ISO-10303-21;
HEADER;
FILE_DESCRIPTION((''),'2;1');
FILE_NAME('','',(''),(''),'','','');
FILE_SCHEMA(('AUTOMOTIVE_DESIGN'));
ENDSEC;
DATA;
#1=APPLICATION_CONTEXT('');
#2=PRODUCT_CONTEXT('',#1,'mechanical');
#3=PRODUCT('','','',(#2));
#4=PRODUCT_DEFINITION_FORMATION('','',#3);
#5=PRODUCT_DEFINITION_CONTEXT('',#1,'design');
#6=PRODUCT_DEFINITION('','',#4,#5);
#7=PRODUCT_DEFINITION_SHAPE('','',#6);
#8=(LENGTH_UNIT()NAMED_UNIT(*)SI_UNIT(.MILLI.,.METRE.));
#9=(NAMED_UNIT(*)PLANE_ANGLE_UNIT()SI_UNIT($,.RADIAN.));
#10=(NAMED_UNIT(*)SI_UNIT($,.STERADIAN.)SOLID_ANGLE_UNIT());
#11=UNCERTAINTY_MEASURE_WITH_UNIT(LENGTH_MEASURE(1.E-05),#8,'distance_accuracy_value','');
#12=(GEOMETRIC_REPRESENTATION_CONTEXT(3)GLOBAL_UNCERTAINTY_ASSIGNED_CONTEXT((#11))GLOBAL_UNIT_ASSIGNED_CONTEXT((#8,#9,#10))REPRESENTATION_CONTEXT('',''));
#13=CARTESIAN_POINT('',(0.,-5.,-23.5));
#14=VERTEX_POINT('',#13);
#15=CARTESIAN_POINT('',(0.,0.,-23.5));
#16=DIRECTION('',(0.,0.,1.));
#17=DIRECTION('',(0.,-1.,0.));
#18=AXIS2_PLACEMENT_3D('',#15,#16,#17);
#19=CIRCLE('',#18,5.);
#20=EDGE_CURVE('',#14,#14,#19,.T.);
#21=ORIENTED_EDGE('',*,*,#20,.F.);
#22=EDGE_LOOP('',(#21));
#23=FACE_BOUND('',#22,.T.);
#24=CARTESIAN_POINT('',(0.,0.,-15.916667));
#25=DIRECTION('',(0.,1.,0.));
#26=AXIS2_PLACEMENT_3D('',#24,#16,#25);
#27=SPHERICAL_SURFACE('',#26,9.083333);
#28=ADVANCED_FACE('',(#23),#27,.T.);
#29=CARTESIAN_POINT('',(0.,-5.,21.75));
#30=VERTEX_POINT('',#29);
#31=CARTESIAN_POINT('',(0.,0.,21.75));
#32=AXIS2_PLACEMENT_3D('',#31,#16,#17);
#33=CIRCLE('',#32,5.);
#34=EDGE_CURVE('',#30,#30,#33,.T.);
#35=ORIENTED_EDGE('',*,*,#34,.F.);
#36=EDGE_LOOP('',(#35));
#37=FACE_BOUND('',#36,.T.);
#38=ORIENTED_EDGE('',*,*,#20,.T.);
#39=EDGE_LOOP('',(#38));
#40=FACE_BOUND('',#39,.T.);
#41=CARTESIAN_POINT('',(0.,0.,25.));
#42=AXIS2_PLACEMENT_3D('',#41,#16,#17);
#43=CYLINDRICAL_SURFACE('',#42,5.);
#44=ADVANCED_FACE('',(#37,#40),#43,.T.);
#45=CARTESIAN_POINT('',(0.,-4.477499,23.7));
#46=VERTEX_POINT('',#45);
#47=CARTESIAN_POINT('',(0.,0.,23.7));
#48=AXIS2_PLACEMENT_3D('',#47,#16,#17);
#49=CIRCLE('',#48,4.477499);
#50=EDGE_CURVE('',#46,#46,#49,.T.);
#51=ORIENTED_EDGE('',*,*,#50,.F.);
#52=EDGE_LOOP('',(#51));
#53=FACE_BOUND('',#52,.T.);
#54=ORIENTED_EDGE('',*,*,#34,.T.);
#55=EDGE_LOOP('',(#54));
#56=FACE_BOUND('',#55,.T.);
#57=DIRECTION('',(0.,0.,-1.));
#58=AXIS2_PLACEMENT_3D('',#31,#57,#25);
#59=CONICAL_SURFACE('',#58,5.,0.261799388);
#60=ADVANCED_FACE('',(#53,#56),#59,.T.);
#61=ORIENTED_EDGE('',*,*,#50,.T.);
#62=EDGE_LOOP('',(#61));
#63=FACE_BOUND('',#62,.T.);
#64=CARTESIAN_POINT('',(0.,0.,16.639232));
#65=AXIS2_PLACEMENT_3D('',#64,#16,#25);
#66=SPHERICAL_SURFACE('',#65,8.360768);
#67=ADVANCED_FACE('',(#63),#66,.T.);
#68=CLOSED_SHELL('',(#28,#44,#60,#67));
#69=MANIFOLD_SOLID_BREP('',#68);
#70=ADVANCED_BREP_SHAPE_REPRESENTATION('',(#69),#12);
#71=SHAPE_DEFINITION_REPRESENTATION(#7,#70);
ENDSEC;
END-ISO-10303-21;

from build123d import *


with BuildPart() as part:
    # Sketch3 → Revolve1 (revolve)
    with BuildSketch(Plane(origin=(0, 0, 0), x_dir=(0, 0, -1), z_dir=(1, 0, 0))):
        with BuildLine():
            Line((-25, 0), (25, 0))
            ThreePointArc((25, 0), (24.616922091, 2.610076627), (23.5, 5))
            Line((23.5, 5), (-21.75, 5))
            Line((-21.75, 5), (-23.7, 4.477499075))
            ThreePointArc((-23.7, 4.477499075), (-24.668425132, 2.331201298), (-25, 0))
        make_face()
    revolve(axis=Axis((0, 0, 25), (0, 0, -1)))


solid = part.part
